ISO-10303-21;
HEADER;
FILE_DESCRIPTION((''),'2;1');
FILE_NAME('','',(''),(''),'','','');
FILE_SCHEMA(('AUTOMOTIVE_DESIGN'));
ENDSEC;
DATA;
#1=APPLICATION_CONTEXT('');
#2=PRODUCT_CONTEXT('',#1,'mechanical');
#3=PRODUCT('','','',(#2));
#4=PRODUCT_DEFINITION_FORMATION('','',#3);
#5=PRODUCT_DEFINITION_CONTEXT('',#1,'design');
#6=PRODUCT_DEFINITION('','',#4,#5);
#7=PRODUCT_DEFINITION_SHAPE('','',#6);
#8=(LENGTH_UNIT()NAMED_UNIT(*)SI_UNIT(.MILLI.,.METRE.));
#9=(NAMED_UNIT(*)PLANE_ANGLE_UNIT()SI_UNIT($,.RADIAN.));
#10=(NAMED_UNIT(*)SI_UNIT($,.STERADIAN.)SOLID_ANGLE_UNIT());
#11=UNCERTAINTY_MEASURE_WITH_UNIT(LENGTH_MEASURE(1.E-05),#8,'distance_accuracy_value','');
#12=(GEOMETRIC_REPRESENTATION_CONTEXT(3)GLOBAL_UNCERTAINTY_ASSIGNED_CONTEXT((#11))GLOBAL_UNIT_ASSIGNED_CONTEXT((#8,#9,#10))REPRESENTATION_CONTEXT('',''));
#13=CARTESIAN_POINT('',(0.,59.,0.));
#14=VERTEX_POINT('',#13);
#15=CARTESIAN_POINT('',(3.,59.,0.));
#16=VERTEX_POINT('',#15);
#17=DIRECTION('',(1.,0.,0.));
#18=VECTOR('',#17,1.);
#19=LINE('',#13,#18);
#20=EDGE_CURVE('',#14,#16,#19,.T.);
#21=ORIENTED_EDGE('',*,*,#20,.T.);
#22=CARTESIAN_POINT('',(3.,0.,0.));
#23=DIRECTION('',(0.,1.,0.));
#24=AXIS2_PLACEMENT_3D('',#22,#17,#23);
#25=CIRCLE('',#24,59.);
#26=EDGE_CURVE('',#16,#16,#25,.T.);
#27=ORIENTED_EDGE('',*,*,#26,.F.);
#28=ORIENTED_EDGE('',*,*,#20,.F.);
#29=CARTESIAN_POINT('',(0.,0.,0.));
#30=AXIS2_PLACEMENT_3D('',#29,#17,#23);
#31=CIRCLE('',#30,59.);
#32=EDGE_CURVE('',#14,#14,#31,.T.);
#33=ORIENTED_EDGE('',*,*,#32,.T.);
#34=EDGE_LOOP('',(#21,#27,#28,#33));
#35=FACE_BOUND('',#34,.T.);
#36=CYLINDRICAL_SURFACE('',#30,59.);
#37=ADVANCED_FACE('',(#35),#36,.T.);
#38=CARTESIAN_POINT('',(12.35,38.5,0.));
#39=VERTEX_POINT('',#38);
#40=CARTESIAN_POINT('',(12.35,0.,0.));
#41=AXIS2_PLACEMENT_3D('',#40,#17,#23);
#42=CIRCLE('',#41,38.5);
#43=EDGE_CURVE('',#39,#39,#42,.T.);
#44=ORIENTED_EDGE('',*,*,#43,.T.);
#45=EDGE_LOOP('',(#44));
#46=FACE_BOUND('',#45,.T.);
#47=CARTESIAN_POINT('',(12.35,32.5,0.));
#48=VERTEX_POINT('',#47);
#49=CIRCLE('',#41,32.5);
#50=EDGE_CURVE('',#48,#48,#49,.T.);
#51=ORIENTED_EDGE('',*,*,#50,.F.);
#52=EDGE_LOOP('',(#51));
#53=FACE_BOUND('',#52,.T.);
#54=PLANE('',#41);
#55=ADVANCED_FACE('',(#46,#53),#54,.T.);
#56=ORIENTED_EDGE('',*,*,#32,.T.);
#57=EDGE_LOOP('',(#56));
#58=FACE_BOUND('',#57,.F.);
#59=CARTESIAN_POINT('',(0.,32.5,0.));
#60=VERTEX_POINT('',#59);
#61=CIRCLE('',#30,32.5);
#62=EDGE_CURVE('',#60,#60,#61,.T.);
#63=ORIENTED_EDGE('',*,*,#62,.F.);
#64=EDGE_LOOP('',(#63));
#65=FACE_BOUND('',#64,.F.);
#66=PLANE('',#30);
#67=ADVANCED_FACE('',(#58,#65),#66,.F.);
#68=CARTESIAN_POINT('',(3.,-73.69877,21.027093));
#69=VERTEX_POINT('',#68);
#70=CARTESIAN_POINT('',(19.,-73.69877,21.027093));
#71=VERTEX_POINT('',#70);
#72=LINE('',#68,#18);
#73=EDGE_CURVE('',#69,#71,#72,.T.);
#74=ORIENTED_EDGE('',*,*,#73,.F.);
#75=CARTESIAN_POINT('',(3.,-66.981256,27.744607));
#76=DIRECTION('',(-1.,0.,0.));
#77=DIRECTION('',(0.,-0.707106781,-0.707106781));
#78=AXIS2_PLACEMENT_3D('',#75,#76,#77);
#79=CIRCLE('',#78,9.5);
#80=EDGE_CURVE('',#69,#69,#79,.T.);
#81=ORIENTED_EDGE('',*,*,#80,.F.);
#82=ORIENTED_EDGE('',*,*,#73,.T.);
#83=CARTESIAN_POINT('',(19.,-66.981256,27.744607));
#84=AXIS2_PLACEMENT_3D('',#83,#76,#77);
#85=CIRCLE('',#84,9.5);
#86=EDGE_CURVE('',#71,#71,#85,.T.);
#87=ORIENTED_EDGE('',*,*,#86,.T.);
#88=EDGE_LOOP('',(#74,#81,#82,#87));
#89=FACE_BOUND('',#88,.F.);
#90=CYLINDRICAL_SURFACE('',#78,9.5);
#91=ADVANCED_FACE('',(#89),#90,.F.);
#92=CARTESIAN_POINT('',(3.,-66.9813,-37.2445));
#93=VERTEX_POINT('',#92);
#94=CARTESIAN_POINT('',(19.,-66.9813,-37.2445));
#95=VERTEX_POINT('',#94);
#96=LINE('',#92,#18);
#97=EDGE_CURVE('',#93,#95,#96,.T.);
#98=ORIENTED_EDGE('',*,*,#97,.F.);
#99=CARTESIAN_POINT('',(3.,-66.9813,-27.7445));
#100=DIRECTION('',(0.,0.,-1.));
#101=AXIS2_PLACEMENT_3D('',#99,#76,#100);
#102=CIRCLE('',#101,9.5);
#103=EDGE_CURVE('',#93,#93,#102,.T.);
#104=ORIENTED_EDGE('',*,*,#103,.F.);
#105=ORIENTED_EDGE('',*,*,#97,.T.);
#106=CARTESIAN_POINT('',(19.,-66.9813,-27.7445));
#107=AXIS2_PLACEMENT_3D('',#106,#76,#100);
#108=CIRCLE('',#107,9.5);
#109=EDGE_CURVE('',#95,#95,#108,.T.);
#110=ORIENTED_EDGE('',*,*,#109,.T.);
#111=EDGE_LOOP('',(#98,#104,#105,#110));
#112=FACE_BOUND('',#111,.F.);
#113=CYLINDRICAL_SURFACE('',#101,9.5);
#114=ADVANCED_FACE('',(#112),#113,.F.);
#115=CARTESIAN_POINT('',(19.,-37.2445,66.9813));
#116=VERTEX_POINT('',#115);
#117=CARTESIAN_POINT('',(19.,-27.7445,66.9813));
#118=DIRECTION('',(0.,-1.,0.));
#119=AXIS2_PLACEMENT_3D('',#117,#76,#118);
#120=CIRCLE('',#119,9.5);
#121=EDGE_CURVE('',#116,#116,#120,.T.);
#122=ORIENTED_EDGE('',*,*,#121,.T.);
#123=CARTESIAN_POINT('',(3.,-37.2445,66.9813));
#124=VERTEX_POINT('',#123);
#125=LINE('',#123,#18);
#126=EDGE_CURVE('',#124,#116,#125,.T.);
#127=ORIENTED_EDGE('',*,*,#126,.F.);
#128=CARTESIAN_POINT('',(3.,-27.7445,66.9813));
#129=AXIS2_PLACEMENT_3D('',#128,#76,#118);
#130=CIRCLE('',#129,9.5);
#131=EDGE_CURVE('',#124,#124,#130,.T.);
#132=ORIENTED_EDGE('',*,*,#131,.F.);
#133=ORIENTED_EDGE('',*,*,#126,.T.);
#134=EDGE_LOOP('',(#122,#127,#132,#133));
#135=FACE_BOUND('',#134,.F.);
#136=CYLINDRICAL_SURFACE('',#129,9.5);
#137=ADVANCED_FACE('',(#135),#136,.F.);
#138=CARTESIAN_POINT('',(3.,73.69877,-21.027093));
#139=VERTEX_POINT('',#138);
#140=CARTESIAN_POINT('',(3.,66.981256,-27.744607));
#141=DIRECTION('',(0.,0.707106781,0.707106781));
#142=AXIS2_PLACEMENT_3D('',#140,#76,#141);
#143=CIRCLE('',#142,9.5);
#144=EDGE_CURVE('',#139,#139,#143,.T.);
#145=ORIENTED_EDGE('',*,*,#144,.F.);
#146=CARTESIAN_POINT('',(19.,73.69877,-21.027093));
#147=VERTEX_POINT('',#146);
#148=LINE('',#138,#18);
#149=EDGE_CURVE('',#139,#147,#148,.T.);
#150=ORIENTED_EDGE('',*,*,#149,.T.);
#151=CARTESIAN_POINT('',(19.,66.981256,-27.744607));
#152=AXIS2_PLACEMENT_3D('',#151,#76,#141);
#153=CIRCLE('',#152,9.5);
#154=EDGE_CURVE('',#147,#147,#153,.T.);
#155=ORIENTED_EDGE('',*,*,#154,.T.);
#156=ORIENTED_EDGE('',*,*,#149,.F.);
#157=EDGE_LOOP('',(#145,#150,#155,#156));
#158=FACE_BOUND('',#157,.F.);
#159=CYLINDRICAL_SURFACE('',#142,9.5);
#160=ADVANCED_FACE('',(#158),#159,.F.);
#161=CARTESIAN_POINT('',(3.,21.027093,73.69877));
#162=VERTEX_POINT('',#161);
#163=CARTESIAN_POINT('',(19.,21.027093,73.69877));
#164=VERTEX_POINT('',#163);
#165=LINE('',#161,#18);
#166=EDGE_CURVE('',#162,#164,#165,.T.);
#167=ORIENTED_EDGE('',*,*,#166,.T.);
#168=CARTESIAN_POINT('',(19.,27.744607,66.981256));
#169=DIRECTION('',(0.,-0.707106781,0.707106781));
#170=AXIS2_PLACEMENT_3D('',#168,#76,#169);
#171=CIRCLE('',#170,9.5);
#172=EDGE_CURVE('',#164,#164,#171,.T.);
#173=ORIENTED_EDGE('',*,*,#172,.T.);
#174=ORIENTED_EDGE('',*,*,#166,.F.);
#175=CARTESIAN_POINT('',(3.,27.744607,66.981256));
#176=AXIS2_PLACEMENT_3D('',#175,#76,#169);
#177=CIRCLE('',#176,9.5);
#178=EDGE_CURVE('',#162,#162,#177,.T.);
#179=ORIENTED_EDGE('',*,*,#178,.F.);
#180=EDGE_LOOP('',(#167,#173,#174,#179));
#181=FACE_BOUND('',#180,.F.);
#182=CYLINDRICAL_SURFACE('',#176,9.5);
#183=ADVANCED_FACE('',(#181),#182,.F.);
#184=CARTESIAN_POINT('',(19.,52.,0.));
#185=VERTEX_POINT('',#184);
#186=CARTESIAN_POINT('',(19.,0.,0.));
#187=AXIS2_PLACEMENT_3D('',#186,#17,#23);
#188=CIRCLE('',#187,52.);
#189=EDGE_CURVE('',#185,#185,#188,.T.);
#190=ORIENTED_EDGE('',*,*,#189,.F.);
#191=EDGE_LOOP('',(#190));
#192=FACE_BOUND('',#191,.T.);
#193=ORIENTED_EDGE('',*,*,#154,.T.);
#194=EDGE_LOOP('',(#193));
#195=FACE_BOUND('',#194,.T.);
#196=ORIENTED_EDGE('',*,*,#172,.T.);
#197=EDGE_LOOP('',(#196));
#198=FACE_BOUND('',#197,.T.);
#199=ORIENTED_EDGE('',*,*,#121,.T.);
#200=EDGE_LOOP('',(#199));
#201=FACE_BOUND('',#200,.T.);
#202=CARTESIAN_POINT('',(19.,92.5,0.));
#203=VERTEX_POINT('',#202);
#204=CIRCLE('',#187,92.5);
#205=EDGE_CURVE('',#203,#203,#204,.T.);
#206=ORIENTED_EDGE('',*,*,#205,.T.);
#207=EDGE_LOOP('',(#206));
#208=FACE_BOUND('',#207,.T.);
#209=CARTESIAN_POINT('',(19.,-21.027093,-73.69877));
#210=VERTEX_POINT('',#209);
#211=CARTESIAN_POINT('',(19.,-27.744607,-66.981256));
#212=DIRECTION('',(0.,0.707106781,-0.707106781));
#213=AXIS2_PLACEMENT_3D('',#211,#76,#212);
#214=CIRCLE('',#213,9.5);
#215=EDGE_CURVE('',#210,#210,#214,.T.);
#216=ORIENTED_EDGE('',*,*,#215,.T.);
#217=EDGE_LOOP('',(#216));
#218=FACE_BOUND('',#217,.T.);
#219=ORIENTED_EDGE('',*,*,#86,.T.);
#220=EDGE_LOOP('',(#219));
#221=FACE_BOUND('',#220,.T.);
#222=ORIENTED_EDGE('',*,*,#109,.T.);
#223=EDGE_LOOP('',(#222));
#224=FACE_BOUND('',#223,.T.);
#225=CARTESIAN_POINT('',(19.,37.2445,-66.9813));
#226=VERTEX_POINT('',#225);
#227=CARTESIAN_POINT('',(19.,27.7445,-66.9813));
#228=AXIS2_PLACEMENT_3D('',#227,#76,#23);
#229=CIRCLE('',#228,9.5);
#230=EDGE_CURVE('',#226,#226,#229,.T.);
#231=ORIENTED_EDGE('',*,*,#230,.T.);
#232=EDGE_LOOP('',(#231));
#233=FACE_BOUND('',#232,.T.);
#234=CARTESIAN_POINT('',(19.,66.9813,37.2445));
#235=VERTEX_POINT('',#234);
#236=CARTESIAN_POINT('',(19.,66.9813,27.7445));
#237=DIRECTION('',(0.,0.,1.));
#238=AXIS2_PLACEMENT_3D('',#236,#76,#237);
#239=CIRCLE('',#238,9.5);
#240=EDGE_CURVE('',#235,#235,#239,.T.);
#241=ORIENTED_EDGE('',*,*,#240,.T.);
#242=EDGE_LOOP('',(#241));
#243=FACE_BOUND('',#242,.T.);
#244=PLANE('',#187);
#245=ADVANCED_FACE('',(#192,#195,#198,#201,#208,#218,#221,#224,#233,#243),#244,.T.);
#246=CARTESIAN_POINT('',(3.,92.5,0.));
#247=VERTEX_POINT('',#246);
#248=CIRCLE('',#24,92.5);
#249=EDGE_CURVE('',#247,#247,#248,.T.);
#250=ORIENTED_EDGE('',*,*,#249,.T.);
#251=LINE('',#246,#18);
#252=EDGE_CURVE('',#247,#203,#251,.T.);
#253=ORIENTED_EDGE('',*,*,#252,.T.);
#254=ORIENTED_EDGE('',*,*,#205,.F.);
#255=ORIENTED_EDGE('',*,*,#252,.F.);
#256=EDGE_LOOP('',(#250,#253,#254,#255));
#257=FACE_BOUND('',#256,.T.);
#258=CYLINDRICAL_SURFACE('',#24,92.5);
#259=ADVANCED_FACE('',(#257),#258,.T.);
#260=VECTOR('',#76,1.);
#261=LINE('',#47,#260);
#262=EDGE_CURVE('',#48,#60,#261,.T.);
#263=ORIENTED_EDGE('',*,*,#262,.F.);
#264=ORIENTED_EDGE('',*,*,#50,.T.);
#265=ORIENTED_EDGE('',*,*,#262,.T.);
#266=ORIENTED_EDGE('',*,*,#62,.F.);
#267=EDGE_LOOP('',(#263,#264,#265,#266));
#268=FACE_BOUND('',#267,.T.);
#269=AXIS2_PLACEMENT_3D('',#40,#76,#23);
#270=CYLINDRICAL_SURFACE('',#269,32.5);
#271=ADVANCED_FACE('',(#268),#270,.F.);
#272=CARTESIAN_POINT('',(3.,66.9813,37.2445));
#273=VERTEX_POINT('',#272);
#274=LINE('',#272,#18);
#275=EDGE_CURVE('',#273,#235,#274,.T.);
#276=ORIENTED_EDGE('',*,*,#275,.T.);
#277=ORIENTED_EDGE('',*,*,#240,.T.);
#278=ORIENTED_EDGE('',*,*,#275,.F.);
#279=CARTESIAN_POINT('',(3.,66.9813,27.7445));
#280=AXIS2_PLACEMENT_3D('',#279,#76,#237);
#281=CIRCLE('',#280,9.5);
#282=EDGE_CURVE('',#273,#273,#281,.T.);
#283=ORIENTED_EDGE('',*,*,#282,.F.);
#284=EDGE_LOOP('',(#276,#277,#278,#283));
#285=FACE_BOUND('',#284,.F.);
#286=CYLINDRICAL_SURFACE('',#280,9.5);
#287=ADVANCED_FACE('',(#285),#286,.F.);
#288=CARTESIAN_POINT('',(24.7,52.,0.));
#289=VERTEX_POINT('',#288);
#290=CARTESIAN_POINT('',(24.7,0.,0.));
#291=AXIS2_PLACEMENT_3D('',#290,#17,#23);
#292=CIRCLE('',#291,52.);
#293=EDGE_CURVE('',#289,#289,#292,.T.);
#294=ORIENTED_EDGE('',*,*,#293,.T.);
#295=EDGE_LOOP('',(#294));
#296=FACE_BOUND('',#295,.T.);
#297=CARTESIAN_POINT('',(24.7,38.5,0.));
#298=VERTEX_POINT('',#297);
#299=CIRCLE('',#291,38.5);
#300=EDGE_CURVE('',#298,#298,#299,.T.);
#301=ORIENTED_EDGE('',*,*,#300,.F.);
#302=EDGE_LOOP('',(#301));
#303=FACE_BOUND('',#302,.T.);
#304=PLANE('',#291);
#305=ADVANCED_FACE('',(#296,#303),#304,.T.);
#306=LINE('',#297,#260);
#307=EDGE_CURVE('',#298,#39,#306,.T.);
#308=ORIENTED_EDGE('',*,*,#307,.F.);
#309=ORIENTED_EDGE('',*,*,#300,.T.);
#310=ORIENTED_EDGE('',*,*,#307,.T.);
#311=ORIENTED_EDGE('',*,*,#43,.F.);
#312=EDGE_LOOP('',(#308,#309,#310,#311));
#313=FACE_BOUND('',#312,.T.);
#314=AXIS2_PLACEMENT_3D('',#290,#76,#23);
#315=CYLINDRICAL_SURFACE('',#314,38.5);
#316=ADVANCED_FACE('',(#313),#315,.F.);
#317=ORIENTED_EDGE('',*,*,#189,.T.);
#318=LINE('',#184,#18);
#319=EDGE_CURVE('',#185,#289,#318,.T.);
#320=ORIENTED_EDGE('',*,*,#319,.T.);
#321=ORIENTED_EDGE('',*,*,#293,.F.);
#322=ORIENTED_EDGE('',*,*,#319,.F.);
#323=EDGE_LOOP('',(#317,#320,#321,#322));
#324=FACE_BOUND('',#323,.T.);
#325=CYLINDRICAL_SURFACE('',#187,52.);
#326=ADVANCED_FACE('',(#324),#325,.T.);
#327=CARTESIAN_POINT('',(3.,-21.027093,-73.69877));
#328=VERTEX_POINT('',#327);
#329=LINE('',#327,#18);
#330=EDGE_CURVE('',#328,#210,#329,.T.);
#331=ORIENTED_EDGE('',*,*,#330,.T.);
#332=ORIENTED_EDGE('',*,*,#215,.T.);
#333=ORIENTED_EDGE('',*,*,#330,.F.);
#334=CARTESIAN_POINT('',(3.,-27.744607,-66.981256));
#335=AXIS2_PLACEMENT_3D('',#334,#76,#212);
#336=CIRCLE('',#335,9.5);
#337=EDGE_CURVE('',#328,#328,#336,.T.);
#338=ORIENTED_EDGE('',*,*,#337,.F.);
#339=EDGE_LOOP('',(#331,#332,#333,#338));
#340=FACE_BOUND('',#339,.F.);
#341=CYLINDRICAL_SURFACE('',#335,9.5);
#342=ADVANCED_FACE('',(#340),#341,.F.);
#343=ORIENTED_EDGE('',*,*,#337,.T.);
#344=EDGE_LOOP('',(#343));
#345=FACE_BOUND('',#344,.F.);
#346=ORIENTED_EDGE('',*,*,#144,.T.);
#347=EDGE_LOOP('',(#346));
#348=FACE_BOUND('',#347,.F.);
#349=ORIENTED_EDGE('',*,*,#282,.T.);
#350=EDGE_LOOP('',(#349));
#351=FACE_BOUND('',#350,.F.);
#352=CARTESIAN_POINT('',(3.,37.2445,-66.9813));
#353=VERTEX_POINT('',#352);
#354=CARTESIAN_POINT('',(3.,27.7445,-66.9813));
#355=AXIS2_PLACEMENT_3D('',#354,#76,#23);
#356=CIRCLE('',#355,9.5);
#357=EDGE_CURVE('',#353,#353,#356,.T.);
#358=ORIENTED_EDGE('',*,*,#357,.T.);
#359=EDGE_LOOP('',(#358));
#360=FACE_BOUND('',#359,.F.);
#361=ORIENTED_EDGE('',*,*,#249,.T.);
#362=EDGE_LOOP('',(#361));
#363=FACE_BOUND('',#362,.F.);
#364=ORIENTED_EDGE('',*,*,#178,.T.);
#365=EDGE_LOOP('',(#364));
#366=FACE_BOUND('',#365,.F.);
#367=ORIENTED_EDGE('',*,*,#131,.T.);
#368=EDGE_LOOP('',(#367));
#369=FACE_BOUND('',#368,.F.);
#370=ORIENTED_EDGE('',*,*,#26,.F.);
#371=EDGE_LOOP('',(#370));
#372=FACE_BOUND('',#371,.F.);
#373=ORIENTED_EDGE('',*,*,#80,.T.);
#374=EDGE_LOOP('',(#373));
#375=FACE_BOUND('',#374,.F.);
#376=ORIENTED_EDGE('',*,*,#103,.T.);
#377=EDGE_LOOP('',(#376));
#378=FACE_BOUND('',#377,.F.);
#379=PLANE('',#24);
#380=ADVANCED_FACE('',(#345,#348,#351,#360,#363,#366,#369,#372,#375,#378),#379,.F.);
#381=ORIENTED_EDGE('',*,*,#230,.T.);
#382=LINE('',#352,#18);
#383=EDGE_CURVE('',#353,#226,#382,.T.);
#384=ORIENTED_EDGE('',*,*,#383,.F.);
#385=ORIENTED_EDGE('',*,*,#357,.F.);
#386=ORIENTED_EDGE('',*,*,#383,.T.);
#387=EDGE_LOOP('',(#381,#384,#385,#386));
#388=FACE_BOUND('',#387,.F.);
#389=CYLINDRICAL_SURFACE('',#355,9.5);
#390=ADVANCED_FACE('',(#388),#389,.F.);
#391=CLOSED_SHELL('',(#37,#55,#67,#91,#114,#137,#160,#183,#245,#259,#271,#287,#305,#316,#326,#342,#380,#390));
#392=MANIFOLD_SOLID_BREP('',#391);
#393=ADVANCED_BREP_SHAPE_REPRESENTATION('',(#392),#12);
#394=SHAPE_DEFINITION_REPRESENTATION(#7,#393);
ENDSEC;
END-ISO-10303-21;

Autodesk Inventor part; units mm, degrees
ref_plane "YZ Plane" through (0, 0, 0) normal (1, 0, 0) x (0, 1, 0)
ref_plane "XZ Plane" through (0, 0, 0) normal (0, 1, 0) x (-1, 0, 0)
ref_plane "XY Plane" through (0, 0, 0) normal (0, 0, 1) x (1, 0, 0)
sketch "Sketch1" plane through (0, 0, 0) normal (0, 0, 1) x (1, 0, 0)
  line L0 (0, 0) -> (24.7, 0) construction
  line L1 (0, 59) -> (3, 59)
  line L2 (3, 92.5) -> (19, 92.5)
  line L3 (3, 92.5) -> (3, 59)
  line L4 (19, 92.5) -> (19, 52)
  line L5 (24.7, 38.5) -> (24.7, 0) construction
  line L6 (19, 52) -> (24.7, 52)
  line L7 (24.7, 52) -> (24.7, 38.5)
  line L8 (24.7, 38.5) -> (12.35, 38.5)
  line L9 (12.35, 38.5) -> (12.35, 32.5)
  line L10 (12.35, 32.5) -> (0, 32.5)
  line L11 (0, 32.5) -> (0, 0) construction
  line L12 (0, 59) -> (0, 32.5)
  dimension "d0" = 118
  dimension "d1" = 185
  dimension "d2" = 104
  dimension "d7" = 77
  dimension "d8" = 65
  dimension "d9" = 19
  dimension "d10" = 3
  dimension "d12" = 12.35
  dimension "d13" = 24.7
revolve "Revolution1" add sketch "Sketch1" angle 360 about axis through (0, 0, 0) along (1, 0, 0)
sketch "Sketch2" plane through (3, 0, 0) normal (-1, 0, 0) x (0, 0, 1)
  circle A0 centre (0, 0) radius 59 projected
  line L0 (0, 0) -> (0, 72.5) construction
  circle A1 centre (0, 0) radius 92.5 projected
  circle A2 centre (0, 0) radius 72.5 construction
  line L1 (0, 0) -> (27.7445, 66.9813) construction
  circle A3 centre (27.7445, 66.9813) radius 9.5
  dimension "d14" = 19
  dimension "d15" = 72.5
  dimension "d16" = 22.5
extrude "Extrusion1" cut sketch "Sketch2" against normal blind 19 contours A3
pattern_circular "Circular Pattern1" count 8 over 360 about axis through (1.5, 0, 0) along (1, 0, 0) of "Extrusion1"
equation "\"d0\" = D1"
equation "\"d1\" = D"
equation "\"d2\" = N3"
equation "\"d7\" = ID + 2 * t"
equation "\"d8\" = ID"
equation "\"d9\" = C1"
equation "\"d10\" = F1"
equation "\"d12\" = 0.65 * C1"
equation "\"d13\" = 1.3 * C1"
equation "\"d14\" = L"
equation "\"d15\" = 0.5 * K1"
equation "\"d3\" = C1"
equation "\"C1\" = 19"
equation "\"D\" = 185"
equation "\"K1\" = 145"
equation "\"L\" = 19"
equation "\"N3\" = 104"
equation "\"D1\" = 118"
equation "\"H1\" = 17"
equation "\"F1\" = 3"
equation "\"ID\" = 65"
equation "\"t\" = 6"
equation "\"Size_Designation\" = 1.2345"
properties part number "DIN EN 1092-2 Hubbed Socket Welding Flange Type 14 - PN 40 Ductile Iron DN65" material "Iron, Ductile"
